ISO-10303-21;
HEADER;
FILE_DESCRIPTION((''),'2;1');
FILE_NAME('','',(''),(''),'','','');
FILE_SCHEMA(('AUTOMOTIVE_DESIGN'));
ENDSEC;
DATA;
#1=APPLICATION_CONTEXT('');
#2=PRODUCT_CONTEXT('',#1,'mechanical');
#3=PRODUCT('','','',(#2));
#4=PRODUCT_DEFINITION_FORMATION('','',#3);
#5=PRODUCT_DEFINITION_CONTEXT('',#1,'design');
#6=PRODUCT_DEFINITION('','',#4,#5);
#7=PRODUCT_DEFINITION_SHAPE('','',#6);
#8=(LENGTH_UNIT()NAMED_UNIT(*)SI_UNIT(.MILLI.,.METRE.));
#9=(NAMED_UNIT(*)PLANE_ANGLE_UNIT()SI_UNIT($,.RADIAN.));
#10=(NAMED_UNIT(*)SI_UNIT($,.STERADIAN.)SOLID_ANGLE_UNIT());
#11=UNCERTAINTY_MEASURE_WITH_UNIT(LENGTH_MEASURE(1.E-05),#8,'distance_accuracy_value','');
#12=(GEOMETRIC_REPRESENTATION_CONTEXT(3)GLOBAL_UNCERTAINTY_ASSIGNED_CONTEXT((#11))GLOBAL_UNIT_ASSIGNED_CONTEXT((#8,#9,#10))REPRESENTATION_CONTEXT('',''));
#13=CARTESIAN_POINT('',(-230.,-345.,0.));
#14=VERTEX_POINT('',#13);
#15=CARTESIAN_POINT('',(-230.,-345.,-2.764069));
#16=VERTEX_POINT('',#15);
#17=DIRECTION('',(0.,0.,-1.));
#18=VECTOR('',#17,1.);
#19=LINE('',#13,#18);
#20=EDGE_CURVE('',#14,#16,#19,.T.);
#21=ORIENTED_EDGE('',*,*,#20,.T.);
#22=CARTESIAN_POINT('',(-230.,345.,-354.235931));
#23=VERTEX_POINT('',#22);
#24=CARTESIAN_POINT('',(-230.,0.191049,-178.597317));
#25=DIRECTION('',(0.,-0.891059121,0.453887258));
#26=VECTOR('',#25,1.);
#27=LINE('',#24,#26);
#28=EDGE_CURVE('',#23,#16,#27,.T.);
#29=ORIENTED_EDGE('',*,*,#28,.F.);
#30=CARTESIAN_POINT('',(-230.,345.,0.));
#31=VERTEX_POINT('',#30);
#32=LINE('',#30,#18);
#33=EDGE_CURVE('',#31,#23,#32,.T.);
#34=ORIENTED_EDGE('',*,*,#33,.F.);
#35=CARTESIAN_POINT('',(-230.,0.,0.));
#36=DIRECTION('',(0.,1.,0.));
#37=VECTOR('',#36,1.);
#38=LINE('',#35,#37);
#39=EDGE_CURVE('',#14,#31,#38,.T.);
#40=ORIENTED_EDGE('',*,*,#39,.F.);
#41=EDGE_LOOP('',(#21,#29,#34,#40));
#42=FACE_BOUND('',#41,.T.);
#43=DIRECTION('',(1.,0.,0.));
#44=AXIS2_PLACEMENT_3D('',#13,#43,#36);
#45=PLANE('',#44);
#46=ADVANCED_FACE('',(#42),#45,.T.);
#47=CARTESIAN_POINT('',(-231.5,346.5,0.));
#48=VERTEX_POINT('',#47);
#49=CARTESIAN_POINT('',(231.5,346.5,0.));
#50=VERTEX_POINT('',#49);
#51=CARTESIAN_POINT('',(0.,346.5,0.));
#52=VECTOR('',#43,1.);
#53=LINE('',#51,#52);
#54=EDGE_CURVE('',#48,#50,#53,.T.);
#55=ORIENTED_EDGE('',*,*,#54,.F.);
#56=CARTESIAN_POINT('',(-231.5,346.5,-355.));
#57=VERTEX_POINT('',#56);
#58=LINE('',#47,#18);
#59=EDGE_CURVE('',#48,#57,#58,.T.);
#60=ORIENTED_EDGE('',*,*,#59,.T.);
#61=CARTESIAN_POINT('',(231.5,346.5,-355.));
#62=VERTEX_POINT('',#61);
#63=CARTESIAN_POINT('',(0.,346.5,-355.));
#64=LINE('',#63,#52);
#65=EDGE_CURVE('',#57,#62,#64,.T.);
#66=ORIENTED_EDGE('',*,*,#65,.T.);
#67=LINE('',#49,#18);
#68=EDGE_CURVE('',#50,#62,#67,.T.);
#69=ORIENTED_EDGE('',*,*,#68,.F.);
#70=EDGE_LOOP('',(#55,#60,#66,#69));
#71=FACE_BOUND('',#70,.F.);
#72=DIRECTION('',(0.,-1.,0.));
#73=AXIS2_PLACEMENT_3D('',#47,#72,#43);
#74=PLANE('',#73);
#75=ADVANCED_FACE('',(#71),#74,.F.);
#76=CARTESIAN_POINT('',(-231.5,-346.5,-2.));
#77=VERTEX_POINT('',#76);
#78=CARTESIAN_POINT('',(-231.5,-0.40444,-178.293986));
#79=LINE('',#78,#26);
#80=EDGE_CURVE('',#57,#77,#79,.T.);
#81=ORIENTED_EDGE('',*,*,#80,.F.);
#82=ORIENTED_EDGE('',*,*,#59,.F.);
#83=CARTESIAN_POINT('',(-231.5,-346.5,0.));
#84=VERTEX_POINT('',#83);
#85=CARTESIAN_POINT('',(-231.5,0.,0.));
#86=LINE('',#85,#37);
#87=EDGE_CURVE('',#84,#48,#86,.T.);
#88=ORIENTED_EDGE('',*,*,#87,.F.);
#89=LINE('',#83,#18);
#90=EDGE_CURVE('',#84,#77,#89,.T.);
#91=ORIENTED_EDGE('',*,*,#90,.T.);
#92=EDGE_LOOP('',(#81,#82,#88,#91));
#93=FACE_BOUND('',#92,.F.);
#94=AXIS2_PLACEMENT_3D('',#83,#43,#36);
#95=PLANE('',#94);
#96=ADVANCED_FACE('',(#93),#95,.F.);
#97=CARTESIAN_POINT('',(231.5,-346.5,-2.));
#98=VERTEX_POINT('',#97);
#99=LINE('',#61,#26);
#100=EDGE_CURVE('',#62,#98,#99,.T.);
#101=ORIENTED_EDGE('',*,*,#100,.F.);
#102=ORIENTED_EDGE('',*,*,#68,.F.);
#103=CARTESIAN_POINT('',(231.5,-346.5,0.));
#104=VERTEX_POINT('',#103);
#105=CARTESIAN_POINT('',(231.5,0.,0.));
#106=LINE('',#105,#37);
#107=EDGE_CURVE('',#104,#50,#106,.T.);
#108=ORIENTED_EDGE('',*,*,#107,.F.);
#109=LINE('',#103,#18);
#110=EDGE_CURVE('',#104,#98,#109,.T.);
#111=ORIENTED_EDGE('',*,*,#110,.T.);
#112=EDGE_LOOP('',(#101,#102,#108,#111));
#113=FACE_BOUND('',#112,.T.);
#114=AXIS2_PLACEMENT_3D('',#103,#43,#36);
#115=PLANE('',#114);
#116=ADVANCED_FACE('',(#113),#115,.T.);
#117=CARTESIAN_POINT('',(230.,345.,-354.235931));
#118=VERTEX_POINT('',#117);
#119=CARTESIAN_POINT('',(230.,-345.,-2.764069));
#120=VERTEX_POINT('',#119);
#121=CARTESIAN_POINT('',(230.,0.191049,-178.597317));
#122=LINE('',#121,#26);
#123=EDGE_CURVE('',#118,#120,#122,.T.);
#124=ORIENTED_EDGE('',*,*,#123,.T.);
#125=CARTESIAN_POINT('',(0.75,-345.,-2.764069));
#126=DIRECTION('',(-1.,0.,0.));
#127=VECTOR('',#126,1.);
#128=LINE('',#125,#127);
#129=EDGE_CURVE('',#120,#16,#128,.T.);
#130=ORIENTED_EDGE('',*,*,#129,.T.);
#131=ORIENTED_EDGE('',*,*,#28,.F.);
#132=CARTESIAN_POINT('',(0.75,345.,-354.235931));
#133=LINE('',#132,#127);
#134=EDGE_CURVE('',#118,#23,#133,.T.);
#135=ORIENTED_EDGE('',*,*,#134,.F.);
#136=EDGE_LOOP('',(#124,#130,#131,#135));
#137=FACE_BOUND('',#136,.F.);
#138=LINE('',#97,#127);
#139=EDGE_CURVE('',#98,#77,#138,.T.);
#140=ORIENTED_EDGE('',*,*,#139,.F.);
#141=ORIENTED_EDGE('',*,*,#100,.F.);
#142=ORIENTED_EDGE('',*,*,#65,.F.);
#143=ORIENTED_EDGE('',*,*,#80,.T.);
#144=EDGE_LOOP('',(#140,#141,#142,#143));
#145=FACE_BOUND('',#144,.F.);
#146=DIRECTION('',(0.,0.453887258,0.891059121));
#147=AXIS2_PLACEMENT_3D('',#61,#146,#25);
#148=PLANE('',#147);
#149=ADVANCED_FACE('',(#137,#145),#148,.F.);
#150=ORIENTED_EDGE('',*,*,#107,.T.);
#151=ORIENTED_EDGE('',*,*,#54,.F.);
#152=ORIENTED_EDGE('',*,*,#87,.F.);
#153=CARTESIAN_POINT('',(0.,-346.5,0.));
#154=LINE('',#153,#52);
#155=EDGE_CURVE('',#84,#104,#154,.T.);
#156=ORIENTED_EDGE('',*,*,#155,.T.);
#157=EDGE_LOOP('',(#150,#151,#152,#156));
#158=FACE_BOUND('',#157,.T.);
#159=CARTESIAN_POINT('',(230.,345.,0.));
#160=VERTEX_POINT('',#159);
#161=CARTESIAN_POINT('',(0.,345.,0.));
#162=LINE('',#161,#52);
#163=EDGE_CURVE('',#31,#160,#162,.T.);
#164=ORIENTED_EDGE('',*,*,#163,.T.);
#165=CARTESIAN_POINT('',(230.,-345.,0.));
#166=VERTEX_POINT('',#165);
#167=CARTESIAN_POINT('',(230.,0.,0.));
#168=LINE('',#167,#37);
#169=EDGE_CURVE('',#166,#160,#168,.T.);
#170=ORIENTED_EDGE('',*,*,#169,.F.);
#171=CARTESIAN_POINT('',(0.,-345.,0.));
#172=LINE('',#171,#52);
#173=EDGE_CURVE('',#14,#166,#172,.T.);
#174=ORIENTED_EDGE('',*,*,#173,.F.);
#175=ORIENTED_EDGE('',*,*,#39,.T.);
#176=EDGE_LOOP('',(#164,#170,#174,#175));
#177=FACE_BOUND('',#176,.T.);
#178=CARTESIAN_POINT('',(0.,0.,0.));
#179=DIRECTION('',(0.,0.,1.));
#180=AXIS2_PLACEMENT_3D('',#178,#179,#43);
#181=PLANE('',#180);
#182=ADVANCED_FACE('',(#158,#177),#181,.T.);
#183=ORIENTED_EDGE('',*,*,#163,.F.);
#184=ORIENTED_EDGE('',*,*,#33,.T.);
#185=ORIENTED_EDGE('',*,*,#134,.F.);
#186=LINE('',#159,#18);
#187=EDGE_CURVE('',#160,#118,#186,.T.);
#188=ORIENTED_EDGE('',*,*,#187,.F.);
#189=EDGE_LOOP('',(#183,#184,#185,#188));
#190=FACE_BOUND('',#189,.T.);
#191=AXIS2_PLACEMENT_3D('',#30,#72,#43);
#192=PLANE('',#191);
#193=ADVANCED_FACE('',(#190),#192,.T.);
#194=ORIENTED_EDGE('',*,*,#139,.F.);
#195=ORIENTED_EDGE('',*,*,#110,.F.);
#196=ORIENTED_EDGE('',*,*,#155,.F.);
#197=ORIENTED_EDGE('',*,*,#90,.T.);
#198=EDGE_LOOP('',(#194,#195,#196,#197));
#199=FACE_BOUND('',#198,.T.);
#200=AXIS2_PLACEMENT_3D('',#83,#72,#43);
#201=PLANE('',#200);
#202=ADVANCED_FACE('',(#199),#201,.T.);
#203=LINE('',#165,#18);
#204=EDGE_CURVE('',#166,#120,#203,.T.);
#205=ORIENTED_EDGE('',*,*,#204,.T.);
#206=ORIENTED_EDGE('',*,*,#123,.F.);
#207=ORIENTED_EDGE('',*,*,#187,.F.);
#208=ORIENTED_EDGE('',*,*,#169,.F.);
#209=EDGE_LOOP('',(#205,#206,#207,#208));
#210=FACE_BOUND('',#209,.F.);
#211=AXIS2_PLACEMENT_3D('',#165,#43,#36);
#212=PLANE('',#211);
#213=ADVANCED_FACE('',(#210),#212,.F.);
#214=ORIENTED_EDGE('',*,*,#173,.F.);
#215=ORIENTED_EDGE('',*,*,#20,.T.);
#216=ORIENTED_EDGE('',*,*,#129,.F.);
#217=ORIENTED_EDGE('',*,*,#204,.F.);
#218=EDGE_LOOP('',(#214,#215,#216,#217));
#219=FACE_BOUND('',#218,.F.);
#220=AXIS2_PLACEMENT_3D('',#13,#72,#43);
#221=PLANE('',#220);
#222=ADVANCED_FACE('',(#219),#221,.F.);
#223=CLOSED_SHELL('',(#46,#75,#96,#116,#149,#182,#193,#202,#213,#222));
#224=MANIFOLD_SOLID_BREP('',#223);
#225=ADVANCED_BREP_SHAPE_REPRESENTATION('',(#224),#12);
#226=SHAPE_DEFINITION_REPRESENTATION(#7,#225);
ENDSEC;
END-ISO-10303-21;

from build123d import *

# Parameters (mm, degrees)
F0_W     = 463
F0_H     = 693
F0_W_2   = 460
F0_H_2   = 690
F1_DEPTH = 355
F3_DEPTH = 463.001


with BuildPart() as f1:
    # F0 (on Top) → F1 (new body)
    with BuildSketch(Plane.XY):
        Rectangle(F0_W, F0_H)
        Rectangle(F0_W_2, F0_H_2, mode=Mode.SUBTRACT)
    extrude(amount=-F1_DEPTH)

    # F2 (on face) → F3 (cut, through all)
    with BuildSketch(Plane.YZ.offset(231.5)):
        Polygon((346.5, -355), (-346.5, -2), (-346.5, -355), align=None)
    extrude(amount=-F3_DEPTH, mode=Mode.SUBTRACT)


solid = f1.part
